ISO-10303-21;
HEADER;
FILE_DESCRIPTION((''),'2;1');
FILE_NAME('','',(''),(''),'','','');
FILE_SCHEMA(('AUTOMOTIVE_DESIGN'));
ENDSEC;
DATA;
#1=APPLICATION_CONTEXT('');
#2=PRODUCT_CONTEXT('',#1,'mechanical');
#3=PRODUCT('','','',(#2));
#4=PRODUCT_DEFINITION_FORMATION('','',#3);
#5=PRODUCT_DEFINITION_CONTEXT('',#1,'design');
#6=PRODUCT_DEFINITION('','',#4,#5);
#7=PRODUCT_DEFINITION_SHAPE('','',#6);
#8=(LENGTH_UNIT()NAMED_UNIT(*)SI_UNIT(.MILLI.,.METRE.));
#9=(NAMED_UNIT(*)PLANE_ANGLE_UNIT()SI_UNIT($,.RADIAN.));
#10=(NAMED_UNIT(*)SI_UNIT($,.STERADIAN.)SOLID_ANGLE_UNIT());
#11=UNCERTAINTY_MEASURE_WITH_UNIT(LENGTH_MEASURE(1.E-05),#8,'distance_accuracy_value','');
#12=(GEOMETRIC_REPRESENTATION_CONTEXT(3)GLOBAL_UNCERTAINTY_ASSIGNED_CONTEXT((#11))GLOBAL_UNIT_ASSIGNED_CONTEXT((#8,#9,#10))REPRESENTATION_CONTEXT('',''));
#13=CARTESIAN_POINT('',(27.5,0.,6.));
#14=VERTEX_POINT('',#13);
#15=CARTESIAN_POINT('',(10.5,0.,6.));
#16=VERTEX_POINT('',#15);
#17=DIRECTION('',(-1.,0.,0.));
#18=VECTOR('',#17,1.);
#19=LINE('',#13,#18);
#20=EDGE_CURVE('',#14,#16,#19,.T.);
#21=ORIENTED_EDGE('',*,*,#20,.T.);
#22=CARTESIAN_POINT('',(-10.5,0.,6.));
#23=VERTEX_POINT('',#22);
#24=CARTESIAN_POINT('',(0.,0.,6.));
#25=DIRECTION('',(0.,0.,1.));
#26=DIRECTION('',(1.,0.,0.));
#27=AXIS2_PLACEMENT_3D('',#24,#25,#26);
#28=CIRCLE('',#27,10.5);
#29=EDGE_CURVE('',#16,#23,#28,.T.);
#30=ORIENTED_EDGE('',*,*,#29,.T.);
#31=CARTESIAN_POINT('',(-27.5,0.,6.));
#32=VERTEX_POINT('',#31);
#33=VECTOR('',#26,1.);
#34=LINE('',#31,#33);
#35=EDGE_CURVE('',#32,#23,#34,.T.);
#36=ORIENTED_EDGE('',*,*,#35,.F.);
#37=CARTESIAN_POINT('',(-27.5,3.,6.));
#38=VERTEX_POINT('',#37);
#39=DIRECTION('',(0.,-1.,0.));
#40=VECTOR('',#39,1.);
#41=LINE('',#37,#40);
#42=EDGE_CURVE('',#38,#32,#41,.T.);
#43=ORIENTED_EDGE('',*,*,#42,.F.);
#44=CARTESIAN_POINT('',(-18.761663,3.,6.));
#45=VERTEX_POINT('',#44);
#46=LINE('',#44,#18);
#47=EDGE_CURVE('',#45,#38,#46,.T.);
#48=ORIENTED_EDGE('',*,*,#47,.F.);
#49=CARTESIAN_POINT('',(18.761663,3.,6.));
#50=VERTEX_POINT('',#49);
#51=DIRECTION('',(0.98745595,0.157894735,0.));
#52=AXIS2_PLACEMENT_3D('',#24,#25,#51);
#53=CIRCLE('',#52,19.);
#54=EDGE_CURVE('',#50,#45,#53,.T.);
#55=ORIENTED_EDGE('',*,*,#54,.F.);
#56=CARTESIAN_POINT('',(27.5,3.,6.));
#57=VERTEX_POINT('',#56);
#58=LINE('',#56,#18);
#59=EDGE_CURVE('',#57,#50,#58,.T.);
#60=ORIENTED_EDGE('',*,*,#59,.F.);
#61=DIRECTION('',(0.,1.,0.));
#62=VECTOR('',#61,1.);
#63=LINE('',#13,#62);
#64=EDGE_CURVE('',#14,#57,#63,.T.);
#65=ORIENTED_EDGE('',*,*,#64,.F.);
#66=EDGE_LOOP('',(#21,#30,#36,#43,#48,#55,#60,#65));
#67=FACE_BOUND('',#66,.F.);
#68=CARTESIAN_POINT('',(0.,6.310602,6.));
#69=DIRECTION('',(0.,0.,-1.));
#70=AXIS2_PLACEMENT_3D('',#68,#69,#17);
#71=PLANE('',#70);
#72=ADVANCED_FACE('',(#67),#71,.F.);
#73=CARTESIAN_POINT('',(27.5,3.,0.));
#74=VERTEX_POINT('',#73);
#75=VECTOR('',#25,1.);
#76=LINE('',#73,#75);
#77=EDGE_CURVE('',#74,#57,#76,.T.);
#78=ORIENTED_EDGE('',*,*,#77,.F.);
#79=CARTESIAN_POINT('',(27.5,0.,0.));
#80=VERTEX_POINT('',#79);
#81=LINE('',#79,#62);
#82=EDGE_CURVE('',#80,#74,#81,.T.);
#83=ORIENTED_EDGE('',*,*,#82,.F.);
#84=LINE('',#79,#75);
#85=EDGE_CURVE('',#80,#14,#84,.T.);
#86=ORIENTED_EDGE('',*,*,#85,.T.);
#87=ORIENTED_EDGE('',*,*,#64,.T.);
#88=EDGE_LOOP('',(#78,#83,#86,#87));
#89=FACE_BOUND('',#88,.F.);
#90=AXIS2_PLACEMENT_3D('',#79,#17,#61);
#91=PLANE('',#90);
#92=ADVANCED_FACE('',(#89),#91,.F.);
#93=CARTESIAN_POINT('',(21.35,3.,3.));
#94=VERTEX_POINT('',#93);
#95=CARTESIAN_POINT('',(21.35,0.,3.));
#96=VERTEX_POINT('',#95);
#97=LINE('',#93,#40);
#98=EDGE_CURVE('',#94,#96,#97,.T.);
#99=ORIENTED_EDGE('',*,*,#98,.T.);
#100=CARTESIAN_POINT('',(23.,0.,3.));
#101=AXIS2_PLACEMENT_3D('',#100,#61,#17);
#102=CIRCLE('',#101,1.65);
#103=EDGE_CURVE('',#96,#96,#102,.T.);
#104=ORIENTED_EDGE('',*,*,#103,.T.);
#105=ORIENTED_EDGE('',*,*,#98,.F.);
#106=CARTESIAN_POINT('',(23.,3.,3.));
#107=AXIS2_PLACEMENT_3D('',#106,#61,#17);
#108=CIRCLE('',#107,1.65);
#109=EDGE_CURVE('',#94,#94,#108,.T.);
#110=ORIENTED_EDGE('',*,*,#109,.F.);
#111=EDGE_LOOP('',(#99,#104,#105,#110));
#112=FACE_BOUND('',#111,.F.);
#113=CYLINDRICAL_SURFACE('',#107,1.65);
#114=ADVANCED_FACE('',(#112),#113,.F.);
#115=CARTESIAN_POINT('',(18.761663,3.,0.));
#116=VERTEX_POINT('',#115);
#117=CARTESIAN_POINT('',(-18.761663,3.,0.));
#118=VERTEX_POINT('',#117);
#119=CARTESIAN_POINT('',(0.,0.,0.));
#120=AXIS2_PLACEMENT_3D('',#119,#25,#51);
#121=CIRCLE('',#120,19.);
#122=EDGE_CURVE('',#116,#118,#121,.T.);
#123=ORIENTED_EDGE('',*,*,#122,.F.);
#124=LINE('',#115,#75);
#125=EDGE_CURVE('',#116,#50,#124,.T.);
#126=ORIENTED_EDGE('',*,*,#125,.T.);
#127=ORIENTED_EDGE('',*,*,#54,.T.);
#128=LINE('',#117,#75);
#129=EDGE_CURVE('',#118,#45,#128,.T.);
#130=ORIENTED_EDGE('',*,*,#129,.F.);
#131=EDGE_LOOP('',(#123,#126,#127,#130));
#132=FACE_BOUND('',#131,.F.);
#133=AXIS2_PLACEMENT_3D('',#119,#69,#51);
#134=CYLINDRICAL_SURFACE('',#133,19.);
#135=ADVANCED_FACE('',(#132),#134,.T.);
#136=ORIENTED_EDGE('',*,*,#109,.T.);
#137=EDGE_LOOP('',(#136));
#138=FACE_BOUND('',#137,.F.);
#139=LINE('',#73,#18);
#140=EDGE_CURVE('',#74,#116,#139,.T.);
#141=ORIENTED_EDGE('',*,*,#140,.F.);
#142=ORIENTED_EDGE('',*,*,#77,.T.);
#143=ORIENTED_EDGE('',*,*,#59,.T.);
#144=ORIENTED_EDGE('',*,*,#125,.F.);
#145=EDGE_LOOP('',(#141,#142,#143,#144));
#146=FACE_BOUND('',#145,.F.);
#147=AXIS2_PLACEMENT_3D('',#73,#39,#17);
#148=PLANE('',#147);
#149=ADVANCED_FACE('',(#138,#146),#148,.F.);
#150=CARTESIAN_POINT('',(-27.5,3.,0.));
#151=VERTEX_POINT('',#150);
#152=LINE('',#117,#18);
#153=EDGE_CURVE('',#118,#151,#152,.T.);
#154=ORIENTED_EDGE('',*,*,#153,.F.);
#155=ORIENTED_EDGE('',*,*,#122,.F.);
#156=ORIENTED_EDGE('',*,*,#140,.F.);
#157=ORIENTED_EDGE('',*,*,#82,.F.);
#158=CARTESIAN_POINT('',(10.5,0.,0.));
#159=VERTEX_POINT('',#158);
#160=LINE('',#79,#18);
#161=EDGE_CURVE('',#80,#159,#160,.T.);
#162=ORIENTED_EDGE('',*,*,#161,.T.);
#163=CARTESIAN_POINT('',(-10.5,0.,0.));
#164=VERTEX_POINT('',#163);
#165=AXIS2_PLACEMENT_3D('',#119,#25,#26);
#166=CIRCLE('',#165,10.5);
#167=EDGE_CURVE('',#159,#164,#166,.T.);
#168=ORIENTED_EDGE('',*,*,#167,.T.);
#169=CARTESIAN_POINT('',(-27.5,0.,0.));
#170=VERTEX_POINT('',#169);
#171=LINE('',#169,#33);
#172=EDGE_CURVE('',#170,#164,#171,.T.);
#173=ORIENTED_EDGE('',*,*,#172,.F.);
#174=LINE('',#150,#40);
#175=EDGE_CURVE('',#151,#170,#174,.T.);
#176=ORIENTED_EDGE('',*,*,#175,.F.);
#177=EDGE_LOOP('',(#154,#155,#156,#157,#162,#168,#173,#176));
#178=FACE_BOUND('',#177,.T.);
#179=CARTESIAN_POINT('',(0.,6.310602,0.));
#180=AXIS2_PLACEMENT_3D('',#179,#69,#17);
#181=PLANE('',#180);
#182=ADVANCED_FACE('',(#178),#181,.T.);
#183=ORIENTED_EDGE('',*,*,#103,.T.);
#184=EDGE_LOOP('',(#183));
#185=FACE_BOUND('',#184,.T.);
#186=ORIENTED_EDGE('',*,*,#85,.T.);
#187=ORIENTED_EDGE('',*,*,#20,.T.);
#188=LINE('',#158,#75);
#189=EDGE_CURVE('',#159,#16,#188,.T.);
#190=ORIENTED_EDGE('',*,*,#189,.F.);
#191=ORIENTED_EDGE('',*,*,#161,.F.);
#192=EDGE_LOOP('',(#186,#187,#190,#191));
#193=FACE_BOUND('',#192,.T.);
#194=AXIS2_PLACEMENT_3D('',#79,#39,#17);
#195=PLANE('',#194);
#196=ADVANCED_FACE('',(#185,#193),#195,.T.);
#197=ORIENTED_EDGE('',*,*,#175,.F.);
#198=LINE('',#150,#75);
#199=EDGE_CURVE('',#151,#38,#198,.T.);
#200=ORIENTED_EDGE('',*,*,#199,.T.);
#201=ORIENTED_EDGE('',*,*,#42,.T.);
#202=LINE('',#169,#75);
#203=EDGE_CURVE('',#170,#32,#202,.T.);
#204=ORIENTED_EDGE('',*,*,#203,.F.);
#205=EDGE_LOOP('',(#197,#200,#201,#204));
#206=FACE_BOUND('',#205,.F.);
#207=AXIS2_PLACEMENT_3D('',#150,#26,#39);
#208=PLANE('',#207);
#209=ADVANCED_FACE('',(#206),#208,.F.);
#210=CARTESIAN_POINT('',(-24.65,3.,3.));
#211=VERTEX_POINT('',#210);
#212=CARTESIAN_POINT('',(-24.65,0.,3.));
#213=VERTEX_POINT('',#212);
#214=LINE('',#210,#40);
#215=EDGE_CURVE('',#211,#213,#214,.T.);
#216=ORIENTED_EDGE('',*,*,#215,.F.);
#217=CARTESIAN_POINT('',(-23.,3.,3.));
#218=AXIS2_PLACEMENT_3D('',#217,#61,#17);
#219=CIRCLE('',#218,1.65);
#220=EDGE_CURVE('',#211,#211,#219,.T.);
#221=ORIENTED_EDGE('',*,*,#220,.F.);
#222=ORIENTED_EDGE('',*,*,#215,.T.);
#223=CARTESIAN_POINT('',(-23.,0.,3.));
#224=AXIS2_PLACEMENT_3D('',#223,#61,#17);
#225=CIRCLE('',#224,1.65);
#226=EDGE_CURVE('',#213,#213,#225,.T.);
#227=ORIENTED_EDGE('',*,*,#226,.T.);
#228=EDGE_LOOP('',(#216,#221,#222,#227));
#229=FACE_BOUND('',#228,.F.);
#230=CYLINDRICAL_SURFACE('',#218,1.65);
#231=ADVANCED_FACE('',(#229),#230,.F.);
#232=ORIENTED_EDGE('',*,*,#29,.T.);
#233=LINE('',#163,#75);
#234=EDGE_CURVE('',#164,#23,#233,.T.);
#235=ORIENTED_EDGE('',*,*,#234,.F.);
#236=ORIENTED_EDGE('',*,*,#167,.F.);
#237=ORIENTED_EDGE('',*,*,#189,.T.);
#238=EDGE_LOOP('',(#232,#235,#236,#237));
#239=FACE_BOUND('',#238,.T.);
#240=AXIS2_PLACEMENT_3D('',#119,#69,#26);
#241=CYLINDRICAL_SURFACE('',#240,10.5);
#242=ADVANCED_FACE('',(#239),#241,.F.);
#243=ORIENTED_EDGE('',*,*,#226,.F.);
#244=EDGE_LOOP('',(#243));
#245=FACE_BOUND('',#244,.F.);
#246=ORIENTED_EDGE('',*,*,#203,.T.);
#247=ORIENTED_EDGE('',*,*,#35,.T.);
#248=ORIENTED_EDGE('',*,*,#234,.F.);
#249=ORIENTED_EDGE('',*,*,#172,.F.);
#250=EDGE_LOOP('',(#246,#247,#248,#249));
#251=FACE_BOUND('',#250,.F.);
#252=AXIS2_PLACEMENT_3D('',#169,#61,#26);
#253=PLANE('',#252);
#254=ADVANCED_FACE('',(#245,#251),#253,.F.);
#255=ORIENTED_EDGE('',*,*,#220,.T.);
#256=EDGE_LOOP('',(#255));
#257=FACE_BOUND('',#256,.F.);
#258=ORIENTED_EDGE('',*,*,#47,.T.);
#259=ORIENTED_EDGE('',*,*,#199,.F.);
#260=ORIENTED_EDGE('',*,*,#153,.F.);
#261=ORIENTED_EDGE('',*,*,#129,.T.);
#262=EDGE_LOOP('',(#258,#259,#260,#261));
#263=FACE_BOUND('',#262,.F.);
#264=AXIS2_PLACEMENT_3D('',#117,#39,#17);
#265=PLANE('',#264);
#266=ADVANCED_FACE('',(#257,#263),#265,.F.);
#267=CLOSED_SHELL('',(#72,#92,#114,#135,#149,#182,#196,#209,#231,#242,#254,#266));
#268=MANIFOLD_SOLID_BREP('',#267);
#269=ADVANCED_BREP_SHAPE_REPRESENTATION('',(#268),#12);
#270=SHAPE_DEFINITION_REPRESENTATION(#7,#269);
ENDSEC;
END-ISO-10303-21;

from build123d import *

# Parameters (mm, degrees)
PAD_DEPTH   = 6
SKETCH001_R = 1.65
HOLE_DEPTH  = 25


with BuildPart() as part:
    # Sketch → Pad (new body)
    with BuildSketch(Plane.XY):
        with BuildLine():
            ThreePointArc((10.5, 0), (0, 10.5), (-10.5, 0))
            Line((-27.5, 0), (-10.5, 0))
            Line((-27.5, 3), (-27.5, 0))
            Line((-18.761663, 3), (-27.5, 3))
            ThreePointArc((18.761663, 3), (0, 19), (-18.761663, 3))
            Line((27.5, 3), (18.761663, 3))
            Line((27.5, 0), (27.5, 3))
            Line((27.5, 0), (10.5, 0))
        make_face()
    extrude(amount=PAD_DEPTH)

    # Sketch001 (on Face5 of Pad) → Hole (cut)
    with BuildSketch(Plane(origin=(0, 3, 0), x_dir=(-1, 0, 0), z_dir=(0, 1, 0))):
        with Locations((-23, 3)):
            Circle(SKETCH001_R)
        with Locations((23, 3)):
            Circle(SKETCH001_R)
    extrude(amount=-HOLE_DEPTH, mode=Mode.SUBTRACT)


solid = part.part
